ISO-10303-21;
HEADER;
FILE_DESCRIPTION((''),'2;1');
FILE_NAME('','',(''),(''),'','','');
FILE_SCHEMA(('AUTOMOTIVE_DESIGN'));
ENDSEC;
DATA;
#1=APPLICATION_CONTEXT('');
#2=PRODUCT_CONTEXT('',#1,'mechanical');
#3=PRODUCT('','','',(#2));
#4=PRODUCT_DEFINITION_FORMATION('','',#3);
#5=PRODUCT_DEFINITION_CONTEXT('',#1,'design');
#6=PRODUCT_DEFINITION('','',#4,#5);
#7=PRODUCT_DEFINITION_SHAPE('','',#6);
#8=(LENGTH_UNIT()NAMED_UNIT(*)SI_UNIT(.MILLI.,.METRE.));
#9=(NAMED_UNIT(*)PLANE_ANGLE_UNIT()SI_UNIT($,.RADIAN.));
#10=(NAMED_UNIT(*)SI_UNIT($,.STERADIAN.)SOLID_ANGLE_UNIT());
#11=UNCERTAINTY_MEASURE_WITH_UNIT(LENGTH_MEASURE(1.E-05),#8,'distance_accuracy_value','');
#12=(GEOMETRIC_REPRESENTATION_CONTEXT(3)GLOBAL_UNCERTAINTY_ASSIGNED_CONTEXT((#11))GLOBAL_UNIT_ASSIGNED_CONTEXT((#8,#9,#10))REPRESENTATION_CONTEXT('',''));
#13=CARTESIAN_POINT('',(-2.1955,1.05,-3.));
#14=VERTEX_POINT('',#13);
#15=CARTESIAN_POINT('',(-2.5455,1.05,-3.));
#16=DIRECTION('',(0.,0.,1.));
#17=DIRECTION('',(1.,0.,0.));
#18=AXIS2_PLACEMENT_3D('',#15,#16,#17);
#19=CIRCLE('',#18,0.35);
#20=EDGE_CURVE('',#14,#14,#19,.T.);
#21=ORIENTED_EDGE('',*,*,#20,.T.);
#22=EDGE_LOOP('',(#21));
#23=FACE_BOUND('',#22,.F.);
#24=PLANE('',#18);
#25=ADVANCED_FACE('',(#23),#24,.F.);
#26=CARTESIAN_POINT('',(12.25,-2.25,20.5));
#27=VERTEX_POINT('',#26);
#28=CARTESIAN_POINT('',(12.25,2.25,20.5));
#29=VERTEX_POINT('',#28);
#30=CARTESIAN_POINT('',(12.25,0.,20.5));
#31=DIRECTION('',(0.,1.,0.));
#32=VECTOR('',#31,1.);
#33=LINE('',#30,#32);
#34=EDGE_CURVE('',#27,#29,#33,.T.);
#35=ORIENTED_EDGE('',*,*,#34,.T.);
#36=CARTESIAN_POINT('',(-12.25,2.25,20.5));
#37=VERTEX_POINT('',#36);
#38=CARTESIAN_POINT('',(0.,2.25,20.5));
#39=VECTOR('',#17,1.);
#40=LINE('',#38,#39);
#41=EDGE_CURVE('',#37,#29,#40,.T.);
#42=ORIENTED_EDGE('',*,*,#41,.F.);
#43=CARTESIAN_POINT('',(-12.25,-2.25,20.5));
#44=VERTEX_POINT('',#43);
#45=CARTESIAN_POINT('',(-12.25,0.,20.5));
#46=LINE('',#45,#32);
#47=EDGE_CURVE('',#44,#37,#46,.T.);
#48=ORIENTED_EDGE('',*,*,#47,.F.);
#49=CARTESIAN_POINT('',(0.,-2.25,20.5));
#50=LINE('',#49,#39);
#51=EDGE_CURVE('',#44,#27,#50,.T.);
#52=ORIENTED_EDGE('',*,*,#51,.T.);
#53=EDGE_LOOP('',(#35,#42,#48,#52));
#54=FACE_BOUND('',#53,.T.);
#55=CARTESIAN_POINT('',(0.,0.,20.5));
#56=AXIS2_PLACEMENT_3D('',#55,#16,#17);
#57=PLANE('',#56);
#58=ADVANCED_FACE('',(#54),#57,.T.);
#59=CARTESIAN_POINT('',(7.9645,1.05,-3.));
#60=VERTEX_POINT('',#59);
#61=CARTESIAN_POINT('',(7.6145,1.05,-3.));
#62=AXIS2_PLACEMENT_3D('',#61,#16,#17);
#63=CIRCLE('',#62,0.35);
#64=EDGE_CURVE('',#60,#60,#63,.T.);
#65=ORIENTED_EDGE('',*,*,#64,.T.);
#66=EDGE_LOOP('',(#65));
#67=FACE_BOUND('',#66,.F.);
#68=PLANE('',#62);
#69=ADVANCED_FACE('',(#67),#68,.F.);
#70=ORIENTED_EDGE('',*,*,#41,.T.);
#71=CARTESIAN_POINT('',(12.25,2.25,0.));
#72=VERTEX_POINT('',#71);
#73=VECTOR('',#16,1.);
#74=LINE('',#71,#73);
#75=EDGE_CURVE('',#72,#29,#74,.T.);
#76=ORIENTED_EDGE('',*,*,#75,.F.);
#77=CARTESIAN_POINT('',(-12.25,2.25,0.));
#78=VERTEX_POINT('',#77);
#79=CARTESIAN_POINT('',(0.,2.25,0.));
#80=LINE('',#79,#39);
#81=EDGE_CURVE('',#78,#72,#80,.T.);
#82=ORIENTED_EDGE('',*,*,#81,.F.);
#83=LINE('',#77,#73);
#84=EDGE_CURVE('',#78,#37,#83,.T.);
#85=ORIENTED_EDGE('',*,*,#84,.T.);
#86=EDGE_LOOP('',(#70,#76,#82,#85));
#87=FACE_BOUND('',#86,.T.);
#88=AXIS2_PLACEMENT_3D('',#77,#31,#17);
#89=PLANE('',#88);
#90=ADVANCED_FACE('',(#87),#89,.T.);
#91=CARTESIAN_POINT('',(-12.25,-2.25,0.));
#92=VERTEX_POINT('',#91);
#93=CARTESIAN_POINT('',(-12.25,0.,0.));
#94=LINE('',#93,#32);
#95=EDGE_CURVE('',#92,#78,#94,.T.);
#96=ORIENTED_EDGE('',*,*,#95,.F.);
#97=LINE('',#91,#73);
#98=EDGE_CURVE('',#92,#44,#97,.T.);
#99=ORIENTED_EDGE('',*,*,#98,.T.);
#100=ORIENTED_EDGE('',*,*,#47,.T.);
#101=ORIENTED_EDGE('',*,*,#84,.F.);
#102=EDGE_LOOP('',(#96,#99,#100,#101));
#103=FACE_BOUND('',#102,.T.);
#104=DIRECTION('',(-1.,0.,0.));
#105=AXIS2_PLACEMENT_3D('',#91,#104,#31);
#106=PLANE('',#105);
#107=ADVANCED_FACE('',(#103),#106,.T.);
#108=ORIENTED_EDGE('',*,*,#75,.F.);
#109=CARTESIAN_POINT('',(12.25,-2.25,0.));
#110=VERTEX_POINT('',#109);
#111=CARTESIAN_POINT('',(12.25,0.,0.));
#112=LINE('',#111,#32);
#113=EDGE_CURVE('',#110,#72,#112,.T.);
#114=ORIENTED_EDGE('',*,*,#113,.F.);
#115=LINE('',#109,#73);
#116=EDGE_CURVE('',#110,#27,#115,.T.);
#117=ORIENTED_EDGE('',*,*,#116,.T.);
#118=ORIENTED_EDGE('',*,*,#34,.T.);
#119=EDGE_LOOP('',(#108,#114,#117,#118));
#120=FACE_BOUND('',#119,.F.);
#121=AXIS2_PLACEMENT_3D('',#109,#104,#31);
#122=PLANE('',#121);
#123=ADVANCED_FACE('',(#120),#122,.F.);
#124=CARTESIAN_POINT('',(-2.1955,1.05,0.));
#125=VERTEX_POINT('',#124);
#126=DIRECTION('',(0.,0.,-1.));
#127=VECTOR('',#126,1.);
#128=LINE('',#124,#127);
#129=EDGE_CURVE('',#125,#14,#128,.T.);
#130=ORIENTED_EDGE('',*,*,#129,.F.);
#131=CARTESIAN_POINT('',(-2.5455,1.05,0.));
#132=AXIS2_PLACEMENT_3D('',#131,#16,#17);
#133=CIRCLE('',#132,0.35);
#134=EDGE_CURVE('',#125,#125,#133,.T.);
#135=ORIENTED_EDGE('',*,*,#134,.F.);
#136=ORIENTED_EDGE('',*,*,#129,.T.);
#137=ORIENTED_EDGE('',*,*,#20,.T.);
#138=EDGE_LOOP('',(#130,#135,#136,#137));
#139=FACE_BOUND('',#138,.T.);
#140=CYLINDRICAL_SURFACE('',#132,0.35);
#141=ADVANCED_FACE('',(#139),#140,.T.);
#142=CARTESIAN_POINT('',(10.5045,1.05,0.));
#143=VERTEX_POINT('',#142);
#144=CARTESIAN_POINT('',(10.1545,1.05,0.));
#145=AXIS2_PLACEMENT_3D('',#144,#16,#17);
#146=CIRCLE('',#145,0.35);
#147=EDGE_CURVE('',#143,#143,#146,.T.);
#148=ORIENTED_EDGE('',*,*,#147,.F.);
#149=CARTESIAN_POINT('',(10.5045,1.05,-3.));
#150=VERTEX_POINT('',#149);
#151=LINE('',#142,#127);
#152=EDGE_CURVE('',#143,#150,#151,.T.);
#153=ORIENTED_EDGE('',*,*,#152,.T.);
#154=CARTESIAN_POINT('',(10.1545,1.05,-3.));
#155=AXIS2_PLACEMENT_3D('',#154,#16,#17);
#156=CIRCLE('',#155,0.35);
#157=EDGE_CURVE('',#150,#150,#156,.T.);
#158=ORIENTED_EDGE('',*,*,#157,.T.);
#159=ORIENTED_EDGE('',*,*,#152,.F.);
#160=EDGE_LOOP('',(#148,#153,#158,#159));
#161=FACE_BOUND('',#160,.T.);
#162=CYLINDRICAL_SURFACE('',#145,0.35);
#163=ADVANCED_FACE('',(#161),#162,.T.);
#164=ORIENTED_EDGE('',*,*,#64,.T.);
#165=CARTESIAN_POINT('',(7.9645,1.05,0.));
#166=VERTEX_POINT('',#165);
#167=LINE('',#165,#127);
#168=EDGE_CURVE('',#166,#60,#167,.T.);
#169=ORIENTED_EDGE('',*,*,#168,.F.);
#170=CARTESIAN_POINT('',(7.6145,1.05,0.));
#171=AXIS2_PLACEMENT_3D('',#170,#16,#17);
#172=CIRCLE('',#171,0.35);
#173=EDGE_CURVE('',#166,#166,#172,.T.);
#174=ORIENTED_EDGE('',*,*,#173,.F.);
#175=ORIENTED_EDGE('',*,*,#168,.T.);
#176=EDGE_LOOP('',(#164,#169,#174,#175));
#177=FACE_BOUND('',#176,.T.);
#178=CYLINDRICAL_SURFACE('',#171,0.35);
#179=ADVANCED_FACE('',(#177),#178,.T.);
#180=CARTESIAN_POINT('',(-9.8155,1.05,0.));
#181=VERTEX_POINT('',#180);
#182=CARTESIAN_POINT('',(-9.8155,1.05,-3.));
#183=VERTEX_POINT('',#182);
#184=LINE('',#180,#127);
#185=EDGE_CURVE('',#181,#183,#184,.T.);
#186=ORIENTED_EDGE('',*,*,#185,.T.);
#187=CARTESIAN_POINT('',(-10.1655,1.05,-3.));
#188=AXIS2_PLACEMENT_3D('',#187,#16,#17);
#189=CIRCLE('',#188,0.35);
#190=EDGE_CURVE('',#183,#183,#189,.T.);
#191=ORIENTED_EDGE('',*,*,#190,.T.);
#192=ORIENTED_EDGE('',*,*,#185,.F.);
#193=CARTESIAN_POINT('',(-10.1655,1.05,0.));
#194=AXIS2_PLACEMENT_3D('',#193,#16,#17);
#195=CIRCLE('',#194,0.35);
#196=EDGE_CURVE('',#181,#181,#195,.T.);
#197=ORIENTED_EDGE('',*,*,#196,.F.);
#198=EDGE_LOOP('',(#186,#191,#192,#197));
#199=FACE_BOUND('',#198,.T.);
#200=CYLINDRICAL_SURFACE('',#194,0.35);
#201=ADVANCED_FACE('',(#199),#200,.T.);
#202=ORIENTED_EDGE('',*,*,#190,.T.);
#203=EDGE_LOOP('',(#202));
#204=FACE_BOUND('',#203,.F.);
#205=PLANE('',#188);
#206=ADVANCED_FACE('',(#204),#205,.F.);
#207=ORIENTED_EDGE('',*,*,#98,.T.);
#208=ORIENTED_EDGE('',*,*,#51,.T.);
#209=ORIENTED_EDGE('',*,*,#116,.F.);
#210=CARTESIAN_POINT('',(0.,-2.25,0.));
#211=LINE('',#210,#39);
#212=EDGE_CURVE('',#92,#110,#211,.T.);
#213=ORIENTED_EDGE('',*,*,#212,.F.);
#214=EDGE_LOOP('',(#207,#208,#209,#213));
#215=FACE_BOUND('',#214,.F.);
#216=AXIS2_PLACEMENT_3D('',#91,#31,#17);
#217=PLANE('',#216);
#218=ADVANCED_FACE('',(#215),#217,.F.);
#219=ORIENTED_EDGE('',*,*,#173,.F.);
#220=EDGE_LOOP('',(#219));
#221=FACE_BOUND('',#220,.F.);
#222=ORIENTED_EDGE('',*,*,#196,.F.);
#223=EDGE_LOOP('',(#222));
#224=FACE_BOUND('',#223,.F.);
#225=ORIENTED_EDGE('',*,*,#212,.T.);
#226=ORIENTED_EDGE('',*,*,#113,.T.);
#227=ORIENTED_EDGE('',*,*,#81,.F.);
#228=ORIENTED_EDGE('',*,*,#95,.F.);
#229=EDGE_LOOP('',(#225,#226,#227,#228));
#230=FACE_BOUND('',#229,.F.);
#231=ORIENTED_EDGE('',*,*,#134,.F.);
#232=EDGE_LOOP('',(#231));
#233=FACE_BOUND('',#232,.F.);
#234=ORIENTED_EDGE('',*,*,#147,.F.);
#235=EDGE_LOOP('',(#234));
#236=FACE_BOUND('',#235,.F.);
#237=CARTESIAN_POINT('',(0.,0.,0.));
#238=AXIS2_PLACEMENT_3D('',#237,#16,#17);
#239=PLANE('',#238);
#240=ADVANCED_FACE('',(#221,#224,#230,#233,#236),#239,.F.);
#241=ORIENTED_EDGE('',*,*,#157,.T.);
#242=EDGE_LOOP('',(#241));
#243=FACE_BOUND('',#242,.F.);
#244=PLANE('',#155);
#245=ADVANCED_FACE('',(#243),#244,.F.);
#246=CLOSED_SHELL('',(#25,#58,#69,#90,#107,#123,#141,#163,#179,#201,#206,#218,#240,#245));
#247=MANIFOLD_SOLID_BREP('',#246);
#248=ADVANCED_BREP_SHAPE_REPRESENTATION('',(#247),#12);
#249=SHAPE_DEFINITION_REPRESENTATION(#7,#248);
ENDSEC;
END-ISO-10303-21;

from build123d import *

# Parameters (mm, degrees)
F0_W     = 24.5
F0_H     = 4.5
F1_DEPTH = 20.5
F2_R     = 0.35
F3_DEPTH = 3


with BuildPart() as f1:
    # F0 (on Top) → F1 (new body)
    with BuildSketch(Plane.XY):
        Rectangle(F0_W, F0_H)
    extrude(amount=F1_DEPTH)

    # F2 (on Top) → F3 (join)
    with BuildSketch(Plane.XY):
        with Locations((-10.1655, 1.05)):
            Circle(F2_R)
        with Locations((-2.5455, 1.05)):
            Circle(F2_R)
        with Locations((7.6145, 1.05)):
            Circle(F2_R)
        with Locations((10.1545, 1.05)):
            Circle(F2_R)
    extrude(amount=-F3_DEPTH)


solid = f1.part
